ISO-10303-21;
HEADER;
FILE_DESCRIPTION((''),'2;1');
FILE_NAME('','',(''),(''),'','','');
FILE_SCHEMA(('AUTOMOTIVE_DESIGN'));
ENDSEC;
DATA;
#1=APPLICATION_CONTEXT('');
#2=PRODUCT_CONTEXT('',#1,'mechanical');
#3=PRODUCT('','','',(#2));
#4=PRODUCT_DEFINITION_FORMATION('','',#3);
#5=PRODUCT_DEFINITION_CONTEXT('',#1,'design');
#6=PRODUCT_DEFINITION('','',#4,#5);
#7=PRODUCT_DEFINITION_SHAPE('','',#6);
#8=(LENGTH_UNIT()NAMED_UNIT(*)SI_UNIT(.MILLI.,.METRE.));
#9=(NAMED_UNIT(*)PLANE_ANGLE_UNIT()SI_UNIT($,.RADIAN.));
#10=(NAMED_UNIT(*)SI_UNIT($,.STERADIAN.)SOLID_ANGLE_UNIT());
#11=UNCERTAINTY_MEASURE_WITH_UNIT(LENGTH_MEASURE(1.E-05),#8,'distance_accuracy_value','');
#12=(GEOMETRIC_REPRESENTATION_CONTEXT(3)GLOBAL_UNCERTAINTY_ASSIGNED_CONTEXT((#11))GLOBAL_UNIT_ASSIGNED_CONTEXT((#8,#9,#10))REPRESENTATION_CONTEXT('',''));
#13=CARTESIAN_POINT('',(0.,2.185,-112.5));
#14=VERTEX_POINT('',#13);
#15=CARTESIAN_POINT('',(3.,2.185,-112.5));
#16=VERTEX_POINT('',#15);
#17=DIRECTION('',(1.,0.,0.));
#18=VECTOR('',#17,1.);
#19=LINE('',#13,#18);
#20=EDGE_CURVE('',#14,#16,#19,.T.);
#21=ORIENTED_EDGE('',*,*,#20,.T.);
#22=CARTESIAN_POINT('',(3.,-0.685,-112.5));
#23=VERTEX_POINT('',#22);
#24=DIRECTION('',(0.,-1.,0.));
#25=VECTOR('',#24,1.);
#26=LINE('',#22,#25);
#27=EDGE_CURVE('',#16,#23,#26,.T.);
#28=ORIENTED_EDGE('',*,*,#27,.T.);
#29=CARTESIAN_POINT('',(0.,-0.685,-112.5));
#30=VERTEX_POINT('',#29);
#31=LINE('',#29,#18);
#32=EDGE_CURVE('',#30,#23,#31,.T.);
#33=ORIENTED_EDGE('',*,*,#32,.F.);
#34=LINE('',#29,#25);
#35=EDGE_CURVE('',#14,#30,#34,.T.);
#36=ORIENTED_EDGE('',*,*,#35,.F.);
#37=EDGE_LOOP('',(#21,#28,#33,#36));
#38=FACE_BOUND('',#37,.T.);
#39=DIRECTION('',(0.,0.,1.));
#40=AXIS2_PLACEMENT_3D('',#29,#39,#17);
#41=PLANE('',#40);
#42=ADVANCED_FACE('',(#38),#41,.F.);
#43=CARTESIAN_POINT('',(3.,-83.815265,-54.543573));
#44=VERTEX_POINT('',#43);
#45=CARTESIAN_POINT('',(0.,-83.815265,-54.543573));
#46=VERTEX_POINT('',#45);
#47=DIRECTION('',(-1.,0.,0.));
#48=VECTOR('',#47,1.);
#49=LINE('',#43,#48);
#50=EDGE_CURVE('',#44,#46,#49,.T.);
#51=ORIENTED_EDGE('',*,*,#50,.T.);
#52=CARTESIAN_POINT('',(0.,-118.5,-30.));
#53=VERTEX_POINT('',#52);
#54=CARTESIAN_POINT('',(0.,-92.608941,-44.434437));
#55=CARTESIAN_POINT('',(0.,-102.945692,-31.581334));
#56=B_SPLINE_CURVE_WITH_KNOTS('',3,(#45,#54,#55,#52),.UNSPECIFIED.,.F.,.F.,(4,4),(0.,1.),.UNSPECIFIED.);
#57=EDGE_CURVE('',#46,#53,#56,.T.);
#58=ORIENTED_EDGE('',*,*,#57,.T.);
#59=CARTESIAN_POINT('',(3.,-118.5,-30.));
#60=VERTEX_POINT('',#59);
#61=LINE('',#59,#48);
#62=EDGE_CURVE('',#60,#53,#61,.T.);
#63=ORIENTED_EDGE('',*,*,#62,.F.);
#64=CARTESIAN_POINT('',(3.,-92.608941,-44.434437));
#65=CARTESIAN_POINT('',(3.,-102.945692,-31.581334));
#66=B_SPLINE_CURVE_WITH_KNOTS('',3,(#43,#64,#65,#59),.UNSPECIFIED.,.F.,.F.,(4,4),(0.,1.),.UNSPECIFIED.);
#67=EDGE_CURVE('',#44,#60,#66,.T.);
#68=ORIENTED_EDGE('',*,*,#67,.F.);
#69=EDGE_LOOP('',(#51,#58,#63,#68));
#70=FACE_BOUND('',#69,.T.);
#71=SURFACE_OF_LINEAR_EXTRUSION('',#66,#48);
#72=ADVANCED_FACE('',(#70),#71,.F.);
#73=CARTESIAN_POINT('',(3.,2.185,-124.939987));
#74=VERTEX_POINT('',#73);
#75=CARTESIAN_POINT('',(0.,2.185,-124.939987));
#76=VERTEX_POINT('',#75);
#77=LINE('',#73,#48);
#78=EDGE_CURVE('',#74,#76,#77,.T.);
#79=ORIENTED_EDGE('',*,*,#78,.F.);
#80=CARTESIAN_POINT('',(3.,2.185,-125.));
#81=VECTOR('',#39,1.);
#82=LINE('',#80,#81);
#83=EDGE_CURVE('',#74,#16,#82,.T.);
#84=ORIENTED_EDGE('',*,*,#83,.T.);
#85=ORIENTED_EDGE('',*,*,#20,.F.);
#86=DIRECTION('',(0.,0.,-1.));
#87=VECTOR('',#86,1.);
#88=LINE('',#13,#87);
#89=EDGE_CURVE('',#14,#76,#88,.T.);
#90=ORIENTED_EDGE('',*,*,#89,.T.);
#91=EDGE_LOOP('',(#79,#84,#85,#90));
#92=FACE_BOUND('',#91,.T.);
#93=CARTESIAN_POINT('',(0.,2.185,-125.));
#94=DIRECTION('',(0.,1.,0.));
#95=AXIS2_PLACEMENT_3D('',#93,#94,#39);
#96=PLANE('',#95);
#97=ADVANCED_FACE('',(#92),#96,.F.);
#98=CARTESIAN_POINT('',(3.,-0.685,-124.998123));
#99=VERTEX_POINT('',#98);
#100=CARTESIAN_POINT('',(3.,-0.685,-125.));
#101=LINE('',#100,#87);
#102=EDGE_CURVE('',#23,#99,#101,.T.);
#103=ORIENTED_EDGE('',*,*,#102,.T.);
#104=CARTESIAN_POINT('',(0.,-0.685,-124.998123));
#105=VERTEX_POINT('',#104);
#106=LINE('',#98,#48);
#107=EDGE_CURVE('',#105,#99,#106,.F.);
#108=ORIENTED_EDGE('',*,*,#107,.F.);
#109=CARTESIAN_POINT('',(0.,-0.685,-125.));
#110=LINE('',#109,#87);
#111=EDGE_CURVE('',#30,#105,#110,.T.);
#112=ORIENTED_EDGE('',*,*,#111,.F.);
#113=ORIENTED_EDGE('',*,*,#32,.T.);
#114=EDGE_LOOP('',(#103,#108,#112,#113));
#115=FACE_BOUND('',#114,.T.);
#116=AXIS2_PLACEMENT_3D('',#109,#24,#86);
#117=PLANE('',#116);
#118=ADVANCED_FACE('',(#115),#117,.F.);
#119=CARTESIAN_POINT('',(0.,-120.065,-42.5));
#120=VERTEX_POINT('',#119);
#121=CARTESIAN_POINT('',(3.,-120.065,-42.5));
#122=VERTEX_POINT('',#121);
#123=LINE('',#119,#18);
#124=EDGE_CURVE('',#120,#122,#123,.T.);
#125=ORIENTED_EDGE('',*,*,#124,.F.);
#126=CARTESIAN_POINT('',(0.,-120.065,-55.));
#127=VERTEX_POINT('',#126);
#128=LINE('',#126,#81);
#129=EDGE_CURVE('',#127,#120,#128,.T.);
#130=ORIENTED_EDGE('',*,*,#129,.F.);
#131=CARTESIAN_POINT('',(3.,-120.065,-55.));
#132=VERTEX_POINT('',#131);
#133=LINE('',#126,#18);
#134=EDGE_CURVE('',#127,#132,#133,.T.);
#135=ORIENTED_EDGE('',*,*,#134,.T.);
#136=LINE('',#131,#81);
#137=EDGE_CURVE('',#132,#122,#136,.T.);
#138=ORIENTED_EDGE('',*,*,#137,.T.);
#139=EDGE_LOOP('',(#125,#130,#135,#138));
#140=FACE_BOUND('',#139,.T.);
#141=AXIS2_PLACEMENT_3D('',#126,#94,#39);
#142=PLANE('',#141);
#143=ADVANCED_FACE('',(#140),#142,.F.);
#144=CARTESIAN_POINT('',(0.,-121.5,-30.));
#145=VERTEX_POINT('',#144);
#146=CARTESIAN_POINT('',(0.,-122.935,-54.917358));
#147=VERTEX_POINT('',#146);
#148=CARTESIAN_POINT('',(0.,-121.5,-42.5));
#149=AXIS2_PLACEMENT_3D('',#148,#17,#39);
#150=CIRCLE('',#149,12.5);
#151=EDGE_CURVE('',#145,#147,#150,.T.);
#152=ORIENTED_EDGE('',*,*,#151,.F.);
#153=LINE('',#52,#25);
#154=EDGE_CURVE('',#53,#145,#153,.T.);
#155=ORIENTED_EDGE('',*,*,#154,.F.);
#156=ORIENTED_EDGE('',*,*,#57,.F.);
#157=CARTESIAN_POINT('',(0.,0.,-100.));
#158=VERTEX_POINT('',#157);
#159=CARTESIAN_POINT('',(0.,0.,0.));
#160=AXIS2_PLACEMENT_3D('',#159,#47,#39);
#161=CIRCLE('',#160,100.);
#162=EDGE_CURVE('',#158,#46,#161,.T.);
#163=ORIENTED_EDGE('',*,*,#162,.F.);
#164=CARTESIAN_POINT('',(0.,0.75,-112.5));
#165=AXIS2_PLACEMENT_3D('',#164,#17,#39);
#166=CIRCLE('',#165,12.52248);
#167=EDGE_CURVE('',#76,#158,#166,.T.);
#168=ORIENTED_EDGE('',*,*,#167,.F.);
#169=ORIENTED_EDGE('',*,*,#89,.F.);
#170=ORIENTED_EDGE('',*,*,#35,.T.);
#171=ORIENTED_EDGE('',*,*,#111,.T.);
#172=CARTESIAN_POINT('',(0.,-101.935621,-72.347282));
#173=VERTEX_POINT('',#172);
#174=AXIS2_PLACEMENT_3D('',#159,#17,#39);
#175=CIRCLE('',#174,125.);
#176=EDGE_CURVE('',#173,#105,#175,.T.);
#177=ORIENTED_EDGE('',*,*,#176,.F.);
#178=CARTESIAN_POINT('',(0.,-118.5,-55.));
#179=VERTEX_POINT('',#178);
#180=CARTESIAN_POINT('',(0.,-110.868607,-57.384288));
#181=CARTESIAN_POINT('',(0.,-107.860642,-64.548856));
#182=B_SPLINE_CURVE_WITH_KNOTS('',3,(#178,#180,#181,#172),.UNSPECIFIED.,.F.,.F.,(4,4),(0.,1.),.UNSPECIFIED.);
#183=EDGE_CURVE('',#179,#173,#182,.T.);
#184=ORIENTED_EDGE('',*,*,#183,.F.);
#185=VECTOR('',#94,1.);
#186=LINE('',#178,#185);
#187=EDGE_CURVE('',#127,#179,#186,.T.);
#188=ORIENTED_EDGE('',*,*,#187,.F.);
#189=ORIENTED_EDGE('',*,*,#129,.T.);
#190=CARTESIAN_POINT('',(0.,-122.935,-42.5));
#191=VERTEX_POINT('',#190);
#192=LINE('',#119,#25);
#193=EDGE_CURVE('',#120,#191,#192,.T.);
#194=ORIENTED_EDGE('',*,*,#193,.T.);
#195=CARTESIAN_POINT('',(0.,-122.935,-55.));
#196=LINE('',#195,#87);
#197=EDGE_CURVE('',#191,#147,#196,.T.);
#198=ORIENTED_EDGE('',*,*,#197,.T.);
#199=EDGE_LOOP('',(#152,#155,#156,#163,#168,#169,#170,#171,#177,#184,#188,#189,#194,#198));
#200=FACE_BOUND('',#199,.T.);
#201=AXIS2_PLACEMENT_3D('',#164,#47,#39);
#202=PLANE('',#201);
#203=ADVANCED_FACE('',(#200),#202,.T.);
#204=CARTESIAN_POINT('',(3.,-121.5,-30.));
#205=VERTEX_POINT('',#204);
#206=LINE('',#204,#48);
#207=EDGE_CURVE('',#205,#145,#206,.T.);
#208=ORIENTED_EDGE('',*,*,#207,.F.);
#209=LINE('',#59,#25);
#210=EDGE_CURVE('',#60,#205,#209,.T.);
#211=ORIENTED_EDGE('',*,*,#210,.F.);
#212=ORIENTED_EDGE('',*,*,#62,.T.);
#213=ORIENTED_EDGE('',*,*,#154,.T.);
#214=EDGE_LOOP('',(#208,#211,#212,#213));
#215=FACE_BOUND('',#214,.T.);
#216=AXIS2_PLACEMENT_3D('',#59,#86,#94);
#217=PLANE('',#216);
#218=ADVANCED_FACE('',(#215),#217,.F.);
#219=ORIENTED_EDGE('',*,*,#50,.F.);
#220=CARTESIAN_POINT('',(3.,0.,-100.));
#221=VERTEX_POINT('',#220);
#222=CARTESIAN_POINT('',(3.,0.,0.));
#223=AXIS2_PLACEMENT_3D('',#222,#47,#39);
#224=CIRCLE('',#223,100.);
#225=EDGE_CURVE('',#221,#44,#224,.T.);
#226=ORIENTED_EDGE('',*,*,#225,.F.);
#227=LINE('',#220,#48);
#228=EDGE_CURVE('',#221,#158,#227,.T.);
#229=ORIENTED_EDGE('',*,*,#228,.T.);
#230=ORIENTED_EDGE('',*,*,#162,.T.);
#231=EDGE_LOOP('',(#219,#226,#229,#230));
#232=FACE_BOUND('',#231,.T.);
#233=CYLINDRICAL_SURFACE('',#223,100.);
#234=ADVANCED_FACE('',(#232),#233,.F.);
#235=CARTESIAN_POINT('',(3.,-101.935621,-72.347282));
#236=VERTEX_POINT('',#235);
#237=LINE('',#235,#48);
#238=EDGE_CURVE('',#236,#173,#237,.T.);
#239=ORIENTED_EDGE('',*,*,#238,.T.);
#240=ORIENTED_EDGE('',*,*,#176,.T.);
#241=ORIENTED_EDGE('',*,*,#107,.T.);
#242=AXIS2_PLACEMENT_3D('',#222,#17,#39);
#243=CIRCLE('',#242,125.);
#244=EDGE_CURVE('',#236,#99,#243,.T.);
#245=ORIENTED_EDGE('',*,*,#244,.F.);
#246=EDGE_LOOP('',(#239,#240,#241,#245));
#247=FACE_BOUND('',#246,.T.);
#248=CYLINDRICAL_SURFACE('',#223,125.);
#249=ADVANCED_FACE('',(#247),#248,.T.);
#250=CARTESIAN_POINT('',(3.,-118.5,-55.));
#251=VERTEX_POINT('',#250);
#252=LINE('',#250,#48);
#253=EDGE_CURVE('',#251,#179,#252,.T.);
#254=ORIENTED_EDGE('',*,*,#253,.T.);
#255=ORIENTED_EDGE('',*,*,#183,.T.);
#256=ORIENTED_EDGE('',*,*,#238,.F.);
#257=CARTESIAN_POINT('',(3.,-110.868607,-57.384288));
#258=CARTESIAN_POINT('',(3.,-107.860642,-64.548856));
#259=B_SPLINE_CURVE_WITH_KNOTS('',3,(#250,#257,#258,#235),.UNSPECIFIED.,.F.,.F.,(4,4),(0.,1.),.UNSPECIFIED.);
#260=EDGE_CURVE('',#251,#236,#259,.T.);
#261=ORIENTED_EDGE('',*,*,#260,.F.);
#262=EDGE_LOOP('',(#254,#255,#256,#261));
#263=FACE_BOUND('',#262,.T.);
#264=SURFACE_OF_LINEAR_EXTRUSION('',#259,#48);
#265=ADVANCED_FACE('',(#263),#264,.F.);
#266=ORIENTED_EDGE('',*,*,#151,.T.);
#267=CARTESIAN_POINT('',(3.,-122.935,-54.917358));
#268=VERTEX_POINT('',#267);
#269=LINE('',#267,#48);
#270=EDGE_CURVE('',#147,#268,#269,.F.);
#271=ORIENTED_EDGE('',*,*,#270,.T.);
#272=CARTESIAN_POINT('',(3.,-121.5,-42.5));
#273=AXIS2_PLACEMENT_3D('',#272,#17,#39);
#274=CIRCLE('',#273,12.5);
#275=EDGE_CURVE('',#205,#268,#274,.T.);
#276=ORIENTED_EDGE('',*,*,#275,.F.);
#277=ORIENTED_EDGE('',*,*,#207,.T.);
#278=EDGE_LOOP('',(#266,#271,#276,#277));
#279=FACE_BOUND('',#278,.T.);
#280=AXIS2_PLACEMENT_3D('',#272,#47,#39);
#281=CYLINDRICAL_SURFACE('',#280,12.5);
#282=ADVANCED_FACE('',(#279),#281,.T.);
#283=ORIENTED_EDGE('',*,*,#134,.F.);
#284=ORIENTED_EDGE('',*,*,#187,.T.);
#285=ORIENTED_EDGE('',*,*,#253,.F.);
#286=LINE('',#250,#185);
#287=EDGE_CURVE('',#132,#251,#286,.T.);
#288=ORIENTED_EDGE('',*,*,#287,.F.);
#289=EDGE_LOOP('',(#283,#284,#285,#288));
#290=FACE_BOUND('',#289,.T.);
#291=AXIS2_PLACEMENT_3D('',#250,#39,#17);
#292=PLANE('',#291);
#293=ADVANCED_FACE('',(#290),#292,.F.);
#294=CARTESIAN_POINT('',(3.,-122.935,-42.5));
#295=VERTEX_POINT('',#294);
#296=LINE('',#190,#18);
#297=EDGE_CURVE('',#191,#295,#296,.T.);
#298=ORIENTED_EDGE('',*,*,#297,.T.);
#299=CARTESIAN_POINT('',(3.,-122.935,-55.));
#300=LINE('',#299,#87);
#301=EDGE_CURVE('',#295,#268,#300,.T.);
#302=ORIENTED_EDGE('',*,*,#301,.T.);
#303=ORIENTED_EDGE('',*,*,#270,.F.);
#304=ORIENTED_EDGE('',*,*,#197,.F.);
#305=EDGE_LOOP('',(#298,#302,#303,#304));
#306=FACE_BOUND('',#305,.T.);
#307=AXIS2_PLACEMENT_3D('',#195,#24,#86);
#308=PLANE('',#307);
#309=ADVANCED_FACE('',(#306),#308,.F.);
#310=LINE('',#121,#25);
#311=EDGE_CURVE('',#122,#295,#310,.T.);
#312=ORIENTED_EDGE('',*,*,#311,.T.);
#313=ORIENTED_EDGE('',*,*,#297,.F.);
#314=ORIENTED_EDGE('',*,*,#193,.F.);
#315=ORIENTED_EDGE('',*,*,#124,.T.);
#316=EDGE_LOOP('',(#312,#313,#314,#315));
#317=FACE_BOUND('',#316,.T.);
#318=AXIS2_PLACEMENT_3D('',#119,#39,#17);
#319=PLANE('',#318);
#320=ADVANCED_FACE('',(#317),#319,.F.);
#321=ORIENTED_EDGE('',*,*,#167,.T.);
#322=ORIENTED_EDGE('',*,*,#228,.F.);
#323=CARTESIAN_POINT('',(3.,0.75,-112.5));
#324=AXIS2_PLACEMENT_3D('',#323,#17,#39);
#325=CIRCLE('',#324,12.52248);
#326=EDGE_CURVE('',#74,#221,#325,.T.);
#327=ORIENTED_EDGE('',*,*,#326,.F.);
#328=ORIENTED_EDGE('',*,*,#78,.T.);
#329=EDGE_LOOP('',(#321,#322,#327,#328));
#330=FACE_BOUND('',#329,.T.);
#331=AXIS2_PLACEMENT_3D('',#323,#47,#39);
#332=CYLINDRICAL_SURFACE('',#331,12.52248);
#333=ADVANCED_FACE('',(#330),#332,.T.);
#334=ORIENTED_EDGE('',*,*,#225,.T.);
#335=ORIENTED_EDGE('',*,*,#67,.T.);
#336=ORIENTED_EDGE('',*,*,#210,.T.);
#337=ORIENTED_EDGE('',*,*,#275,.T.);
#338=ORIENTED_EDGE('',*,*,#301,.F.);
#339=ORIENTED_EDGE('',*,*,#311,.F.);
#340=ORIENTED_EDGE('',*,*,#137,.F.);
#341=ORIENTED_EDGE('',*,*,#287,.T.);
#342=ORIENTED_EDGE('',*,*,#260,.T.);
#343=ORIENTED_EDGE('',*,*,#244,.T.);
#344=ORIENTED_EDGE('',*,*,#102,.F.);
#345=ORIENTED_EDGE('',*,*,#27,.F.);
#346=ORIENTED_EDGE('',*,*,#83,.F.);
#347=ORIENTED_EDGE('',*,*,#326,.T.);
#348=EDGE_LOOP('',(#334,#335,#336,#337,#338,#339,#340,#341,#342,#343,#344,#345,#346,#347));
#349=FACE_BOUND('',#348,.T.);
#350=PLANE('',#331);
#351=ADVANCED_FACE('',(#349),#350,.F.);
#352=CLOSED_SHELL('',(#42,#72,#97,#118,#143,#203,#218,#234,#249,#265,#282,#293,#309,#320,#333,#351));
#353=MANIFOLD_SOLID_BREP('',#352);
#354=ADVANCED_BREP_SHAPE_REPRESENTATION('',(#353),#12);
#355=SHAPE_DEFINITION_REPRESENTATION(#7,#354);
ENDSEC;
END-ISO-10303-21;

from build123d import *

# Parameters (mm, degrees)
BOSS_EXTRUDE2_DEPTH = 3
SKETCH2_W           = 12.5
SKETCH2_H           = 2.87
CUT_EXTRUDE1_DEPTH  = 3


with BuildPart() as part:
    # Sketch1 → Boss-Extrude2 (new body)
    with BuildSketch(Plane(origin=(0, 0, 0), x_dir=(0, 0, -1), z_dir=(1, 0, 0))):
        with BuildLine():
            Line((125, 0), (125, 1.5))
            ThreePointArc((125, 1.5), (111.75, 13.25), (100, 0))
            ThreePointArc((100, 0), (87.904372108, -47.674116292), (54.543572715, -83.81526517))
            add(Edge.make_bspline(
                [(54.543572715, -83.81526517), (44.434436781, -92.608940988), (31.581333534, -102.945692353), (30, -118.5)],
                knots=[0, 0, 0, 0, 1, 1, 1, 1], degree=3))
            Line((30, -118.5), (30, -121.5))
            ThreePointArc((30, -121.5), (42.5, -134), (55, -121.5))
            Line((55, -121.5), (55, -118.5))
            add(Edge.make_bspline(
                [(55, -118.5), (57.384287812, -110.868607185), (64.548856078, -107.860641761), (72.347282186, -101.935620665)],
                knots=[0, 0, 0, 0, 1, 1, 1, 1], degree=3))
            ThreePointArc((72.347282186, -101.935620665), (111.059466668, -57.365450084), (125, 0))
        make_face()
    extrude(amount=BOSS_EXTRUDE2_DEPTH)

    # Sketch2 → Cut-Extrude1 (cut)
    with BuildSketch(Plane(origin=(3, 0, 0), x_dir=(0, 0, -1), z_dir=(1, 0, 0))):
        with Locations((118.75, 0.75)):
            Rectangle(SKETCH2_W, SKETCH2_H)
        with Locations((48.75, -121.5)):
            Rectangle(SKETCH2_W, SKETCH2_H)
    extrude(amount=-CUT_EXTRUDE1_DEPTH, mode=Mode.SUBTRACT)


solid = part.part
